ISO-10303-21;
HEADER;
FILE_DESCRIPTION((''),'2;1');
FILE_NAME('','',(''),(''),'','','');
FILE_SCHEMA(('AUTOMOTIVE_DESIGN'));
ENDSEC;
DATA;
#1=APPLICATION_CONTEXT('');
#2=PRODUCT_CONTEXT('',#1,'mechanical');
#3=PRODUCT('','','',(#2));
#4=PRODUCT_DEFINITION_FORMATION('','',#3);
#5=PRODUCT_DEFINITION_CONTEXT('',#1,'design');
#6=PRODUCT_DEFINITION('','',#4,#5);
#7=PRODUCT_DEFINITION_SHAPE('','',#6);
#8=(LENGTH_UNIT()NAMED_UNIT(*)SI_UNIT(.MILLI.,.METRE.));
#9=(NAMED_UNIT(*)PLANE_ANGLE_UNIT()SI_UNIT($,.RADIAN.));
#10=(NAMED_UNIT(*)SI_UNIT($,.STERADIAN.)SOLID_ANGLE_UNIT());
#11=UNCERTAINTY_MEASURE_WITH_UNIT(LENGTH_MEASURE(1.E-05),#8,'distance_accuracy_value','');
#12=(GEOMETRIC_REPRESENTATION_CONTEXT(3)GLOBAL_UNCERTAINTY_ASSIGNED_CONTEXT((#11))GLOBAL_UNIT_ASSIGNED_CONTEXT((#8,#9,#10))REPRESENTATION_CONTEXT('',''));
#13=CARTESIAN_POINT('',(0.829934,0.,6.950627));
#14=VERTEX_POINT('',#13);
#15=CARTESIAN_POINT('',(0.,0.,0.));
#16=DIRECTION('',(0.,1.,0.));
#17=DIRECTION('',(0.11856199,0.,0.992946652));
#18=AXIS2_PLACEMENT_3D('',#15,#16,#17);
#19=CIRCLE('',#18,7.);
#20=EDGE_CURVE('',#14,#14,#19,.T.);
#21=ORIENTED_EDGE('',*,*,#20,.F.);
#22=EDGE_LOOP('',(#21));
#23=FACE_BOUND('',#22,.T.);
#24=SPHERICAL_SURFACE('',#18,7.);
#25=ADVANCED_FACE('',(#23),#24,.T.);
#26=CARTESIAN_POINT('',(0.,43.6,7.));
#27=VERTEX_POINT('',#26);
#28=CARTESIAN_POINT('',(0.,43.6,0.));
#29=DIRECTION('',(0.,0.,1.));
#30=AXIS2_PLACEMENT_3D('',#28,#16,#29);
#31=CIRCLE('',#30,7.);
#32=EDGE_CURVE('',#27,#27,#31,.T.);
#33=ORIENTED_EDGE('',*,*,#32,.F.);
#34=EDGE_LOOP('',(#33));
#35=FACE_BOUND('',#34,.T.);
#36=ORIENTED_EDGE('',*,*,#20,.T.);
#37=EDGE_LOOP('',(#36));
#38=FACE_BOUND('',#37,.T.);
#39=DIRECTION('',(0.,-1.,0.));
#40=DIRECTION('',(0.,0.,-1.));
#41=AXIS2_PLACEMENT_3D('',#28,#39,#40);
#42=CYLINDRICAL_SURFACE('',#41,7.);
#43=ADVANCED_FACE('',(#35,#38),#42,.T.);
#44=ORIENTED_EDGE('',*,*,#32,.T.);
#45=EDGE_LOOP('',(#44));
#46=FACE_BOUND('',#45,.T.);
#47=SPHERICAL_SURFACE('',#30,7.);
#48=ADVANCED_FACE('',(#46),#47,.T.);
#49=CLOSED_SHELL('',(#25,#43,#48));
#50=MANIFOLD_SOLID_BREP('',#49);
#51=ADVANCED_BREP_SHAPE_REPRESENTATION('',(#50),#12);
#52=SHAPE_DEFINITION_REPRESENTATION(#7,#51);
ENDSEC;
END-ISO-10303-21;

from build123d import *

# Parameters (mm, degrees)
SCHIZZO1_R                   = 7
ESTRUSIONE_ESTRUSIONE1_DEPTH = 43.6
RIVOLUZIONE1_ANGLE           = 180
RIVOLUZIONE2_ANGLE           = 180


with BuildPart() as part:
    # Schizzo1 → Estrusione-Estrusione1 (new body)
    with BuildSketch(Plane(origin=(0, 0, 0), x_dir=(1, 0, 0), z_dir=(0, 1, 0))):
        with Locations(Location((0, 0, 0), (0, 0, 270))):
            Circle(SCHIZZO1_R)
    extrude(amount=ESTRUSIONE_ESTRUSIONE1_DEPTH)

    # Schizzo2 → Rivoluzione1 (revolve)
    with BuildSketch(Plane(origin=(0, 0, 0), x_dir=(-1, 0, 0), z_dir=(0, -1, 0))):
        with BuildLine():
            Line((-0.415700634, -6.98764574), (0.415700634, 6.98764574))
            ThreePointArc((0.415700634, 6.98764574), (-6.98764574, 0.415700634), (-0.415700634, -6.98764574))
        make_face()
    revolve(axis=Axis((0.415700634, 0, 6.98764574), (-0.05938580489346364, 0, -0.9982351056625666)), revolution_arc=RIVOLUZIONE1_ANGLE)

    # Schizzo3 → Rivoluzione2 (revolve)
    with BuildSketch(Plane(origin=(0, 43.6, 0), x_dir=(1, 0, 0), z_dir=(0, 1, 0))):
        with BuildLine():
            Line((7, 0), (-7, 0))
            ThreePointArc((-7, 0), (0, -7), (7, 0))
        make_face()
    revolve(axis=Axis((7, 43.6, 0), (-1, 0, 0)), revolution_arc=RIVOLUZIONE2_ANGLE)


solid = part.part
